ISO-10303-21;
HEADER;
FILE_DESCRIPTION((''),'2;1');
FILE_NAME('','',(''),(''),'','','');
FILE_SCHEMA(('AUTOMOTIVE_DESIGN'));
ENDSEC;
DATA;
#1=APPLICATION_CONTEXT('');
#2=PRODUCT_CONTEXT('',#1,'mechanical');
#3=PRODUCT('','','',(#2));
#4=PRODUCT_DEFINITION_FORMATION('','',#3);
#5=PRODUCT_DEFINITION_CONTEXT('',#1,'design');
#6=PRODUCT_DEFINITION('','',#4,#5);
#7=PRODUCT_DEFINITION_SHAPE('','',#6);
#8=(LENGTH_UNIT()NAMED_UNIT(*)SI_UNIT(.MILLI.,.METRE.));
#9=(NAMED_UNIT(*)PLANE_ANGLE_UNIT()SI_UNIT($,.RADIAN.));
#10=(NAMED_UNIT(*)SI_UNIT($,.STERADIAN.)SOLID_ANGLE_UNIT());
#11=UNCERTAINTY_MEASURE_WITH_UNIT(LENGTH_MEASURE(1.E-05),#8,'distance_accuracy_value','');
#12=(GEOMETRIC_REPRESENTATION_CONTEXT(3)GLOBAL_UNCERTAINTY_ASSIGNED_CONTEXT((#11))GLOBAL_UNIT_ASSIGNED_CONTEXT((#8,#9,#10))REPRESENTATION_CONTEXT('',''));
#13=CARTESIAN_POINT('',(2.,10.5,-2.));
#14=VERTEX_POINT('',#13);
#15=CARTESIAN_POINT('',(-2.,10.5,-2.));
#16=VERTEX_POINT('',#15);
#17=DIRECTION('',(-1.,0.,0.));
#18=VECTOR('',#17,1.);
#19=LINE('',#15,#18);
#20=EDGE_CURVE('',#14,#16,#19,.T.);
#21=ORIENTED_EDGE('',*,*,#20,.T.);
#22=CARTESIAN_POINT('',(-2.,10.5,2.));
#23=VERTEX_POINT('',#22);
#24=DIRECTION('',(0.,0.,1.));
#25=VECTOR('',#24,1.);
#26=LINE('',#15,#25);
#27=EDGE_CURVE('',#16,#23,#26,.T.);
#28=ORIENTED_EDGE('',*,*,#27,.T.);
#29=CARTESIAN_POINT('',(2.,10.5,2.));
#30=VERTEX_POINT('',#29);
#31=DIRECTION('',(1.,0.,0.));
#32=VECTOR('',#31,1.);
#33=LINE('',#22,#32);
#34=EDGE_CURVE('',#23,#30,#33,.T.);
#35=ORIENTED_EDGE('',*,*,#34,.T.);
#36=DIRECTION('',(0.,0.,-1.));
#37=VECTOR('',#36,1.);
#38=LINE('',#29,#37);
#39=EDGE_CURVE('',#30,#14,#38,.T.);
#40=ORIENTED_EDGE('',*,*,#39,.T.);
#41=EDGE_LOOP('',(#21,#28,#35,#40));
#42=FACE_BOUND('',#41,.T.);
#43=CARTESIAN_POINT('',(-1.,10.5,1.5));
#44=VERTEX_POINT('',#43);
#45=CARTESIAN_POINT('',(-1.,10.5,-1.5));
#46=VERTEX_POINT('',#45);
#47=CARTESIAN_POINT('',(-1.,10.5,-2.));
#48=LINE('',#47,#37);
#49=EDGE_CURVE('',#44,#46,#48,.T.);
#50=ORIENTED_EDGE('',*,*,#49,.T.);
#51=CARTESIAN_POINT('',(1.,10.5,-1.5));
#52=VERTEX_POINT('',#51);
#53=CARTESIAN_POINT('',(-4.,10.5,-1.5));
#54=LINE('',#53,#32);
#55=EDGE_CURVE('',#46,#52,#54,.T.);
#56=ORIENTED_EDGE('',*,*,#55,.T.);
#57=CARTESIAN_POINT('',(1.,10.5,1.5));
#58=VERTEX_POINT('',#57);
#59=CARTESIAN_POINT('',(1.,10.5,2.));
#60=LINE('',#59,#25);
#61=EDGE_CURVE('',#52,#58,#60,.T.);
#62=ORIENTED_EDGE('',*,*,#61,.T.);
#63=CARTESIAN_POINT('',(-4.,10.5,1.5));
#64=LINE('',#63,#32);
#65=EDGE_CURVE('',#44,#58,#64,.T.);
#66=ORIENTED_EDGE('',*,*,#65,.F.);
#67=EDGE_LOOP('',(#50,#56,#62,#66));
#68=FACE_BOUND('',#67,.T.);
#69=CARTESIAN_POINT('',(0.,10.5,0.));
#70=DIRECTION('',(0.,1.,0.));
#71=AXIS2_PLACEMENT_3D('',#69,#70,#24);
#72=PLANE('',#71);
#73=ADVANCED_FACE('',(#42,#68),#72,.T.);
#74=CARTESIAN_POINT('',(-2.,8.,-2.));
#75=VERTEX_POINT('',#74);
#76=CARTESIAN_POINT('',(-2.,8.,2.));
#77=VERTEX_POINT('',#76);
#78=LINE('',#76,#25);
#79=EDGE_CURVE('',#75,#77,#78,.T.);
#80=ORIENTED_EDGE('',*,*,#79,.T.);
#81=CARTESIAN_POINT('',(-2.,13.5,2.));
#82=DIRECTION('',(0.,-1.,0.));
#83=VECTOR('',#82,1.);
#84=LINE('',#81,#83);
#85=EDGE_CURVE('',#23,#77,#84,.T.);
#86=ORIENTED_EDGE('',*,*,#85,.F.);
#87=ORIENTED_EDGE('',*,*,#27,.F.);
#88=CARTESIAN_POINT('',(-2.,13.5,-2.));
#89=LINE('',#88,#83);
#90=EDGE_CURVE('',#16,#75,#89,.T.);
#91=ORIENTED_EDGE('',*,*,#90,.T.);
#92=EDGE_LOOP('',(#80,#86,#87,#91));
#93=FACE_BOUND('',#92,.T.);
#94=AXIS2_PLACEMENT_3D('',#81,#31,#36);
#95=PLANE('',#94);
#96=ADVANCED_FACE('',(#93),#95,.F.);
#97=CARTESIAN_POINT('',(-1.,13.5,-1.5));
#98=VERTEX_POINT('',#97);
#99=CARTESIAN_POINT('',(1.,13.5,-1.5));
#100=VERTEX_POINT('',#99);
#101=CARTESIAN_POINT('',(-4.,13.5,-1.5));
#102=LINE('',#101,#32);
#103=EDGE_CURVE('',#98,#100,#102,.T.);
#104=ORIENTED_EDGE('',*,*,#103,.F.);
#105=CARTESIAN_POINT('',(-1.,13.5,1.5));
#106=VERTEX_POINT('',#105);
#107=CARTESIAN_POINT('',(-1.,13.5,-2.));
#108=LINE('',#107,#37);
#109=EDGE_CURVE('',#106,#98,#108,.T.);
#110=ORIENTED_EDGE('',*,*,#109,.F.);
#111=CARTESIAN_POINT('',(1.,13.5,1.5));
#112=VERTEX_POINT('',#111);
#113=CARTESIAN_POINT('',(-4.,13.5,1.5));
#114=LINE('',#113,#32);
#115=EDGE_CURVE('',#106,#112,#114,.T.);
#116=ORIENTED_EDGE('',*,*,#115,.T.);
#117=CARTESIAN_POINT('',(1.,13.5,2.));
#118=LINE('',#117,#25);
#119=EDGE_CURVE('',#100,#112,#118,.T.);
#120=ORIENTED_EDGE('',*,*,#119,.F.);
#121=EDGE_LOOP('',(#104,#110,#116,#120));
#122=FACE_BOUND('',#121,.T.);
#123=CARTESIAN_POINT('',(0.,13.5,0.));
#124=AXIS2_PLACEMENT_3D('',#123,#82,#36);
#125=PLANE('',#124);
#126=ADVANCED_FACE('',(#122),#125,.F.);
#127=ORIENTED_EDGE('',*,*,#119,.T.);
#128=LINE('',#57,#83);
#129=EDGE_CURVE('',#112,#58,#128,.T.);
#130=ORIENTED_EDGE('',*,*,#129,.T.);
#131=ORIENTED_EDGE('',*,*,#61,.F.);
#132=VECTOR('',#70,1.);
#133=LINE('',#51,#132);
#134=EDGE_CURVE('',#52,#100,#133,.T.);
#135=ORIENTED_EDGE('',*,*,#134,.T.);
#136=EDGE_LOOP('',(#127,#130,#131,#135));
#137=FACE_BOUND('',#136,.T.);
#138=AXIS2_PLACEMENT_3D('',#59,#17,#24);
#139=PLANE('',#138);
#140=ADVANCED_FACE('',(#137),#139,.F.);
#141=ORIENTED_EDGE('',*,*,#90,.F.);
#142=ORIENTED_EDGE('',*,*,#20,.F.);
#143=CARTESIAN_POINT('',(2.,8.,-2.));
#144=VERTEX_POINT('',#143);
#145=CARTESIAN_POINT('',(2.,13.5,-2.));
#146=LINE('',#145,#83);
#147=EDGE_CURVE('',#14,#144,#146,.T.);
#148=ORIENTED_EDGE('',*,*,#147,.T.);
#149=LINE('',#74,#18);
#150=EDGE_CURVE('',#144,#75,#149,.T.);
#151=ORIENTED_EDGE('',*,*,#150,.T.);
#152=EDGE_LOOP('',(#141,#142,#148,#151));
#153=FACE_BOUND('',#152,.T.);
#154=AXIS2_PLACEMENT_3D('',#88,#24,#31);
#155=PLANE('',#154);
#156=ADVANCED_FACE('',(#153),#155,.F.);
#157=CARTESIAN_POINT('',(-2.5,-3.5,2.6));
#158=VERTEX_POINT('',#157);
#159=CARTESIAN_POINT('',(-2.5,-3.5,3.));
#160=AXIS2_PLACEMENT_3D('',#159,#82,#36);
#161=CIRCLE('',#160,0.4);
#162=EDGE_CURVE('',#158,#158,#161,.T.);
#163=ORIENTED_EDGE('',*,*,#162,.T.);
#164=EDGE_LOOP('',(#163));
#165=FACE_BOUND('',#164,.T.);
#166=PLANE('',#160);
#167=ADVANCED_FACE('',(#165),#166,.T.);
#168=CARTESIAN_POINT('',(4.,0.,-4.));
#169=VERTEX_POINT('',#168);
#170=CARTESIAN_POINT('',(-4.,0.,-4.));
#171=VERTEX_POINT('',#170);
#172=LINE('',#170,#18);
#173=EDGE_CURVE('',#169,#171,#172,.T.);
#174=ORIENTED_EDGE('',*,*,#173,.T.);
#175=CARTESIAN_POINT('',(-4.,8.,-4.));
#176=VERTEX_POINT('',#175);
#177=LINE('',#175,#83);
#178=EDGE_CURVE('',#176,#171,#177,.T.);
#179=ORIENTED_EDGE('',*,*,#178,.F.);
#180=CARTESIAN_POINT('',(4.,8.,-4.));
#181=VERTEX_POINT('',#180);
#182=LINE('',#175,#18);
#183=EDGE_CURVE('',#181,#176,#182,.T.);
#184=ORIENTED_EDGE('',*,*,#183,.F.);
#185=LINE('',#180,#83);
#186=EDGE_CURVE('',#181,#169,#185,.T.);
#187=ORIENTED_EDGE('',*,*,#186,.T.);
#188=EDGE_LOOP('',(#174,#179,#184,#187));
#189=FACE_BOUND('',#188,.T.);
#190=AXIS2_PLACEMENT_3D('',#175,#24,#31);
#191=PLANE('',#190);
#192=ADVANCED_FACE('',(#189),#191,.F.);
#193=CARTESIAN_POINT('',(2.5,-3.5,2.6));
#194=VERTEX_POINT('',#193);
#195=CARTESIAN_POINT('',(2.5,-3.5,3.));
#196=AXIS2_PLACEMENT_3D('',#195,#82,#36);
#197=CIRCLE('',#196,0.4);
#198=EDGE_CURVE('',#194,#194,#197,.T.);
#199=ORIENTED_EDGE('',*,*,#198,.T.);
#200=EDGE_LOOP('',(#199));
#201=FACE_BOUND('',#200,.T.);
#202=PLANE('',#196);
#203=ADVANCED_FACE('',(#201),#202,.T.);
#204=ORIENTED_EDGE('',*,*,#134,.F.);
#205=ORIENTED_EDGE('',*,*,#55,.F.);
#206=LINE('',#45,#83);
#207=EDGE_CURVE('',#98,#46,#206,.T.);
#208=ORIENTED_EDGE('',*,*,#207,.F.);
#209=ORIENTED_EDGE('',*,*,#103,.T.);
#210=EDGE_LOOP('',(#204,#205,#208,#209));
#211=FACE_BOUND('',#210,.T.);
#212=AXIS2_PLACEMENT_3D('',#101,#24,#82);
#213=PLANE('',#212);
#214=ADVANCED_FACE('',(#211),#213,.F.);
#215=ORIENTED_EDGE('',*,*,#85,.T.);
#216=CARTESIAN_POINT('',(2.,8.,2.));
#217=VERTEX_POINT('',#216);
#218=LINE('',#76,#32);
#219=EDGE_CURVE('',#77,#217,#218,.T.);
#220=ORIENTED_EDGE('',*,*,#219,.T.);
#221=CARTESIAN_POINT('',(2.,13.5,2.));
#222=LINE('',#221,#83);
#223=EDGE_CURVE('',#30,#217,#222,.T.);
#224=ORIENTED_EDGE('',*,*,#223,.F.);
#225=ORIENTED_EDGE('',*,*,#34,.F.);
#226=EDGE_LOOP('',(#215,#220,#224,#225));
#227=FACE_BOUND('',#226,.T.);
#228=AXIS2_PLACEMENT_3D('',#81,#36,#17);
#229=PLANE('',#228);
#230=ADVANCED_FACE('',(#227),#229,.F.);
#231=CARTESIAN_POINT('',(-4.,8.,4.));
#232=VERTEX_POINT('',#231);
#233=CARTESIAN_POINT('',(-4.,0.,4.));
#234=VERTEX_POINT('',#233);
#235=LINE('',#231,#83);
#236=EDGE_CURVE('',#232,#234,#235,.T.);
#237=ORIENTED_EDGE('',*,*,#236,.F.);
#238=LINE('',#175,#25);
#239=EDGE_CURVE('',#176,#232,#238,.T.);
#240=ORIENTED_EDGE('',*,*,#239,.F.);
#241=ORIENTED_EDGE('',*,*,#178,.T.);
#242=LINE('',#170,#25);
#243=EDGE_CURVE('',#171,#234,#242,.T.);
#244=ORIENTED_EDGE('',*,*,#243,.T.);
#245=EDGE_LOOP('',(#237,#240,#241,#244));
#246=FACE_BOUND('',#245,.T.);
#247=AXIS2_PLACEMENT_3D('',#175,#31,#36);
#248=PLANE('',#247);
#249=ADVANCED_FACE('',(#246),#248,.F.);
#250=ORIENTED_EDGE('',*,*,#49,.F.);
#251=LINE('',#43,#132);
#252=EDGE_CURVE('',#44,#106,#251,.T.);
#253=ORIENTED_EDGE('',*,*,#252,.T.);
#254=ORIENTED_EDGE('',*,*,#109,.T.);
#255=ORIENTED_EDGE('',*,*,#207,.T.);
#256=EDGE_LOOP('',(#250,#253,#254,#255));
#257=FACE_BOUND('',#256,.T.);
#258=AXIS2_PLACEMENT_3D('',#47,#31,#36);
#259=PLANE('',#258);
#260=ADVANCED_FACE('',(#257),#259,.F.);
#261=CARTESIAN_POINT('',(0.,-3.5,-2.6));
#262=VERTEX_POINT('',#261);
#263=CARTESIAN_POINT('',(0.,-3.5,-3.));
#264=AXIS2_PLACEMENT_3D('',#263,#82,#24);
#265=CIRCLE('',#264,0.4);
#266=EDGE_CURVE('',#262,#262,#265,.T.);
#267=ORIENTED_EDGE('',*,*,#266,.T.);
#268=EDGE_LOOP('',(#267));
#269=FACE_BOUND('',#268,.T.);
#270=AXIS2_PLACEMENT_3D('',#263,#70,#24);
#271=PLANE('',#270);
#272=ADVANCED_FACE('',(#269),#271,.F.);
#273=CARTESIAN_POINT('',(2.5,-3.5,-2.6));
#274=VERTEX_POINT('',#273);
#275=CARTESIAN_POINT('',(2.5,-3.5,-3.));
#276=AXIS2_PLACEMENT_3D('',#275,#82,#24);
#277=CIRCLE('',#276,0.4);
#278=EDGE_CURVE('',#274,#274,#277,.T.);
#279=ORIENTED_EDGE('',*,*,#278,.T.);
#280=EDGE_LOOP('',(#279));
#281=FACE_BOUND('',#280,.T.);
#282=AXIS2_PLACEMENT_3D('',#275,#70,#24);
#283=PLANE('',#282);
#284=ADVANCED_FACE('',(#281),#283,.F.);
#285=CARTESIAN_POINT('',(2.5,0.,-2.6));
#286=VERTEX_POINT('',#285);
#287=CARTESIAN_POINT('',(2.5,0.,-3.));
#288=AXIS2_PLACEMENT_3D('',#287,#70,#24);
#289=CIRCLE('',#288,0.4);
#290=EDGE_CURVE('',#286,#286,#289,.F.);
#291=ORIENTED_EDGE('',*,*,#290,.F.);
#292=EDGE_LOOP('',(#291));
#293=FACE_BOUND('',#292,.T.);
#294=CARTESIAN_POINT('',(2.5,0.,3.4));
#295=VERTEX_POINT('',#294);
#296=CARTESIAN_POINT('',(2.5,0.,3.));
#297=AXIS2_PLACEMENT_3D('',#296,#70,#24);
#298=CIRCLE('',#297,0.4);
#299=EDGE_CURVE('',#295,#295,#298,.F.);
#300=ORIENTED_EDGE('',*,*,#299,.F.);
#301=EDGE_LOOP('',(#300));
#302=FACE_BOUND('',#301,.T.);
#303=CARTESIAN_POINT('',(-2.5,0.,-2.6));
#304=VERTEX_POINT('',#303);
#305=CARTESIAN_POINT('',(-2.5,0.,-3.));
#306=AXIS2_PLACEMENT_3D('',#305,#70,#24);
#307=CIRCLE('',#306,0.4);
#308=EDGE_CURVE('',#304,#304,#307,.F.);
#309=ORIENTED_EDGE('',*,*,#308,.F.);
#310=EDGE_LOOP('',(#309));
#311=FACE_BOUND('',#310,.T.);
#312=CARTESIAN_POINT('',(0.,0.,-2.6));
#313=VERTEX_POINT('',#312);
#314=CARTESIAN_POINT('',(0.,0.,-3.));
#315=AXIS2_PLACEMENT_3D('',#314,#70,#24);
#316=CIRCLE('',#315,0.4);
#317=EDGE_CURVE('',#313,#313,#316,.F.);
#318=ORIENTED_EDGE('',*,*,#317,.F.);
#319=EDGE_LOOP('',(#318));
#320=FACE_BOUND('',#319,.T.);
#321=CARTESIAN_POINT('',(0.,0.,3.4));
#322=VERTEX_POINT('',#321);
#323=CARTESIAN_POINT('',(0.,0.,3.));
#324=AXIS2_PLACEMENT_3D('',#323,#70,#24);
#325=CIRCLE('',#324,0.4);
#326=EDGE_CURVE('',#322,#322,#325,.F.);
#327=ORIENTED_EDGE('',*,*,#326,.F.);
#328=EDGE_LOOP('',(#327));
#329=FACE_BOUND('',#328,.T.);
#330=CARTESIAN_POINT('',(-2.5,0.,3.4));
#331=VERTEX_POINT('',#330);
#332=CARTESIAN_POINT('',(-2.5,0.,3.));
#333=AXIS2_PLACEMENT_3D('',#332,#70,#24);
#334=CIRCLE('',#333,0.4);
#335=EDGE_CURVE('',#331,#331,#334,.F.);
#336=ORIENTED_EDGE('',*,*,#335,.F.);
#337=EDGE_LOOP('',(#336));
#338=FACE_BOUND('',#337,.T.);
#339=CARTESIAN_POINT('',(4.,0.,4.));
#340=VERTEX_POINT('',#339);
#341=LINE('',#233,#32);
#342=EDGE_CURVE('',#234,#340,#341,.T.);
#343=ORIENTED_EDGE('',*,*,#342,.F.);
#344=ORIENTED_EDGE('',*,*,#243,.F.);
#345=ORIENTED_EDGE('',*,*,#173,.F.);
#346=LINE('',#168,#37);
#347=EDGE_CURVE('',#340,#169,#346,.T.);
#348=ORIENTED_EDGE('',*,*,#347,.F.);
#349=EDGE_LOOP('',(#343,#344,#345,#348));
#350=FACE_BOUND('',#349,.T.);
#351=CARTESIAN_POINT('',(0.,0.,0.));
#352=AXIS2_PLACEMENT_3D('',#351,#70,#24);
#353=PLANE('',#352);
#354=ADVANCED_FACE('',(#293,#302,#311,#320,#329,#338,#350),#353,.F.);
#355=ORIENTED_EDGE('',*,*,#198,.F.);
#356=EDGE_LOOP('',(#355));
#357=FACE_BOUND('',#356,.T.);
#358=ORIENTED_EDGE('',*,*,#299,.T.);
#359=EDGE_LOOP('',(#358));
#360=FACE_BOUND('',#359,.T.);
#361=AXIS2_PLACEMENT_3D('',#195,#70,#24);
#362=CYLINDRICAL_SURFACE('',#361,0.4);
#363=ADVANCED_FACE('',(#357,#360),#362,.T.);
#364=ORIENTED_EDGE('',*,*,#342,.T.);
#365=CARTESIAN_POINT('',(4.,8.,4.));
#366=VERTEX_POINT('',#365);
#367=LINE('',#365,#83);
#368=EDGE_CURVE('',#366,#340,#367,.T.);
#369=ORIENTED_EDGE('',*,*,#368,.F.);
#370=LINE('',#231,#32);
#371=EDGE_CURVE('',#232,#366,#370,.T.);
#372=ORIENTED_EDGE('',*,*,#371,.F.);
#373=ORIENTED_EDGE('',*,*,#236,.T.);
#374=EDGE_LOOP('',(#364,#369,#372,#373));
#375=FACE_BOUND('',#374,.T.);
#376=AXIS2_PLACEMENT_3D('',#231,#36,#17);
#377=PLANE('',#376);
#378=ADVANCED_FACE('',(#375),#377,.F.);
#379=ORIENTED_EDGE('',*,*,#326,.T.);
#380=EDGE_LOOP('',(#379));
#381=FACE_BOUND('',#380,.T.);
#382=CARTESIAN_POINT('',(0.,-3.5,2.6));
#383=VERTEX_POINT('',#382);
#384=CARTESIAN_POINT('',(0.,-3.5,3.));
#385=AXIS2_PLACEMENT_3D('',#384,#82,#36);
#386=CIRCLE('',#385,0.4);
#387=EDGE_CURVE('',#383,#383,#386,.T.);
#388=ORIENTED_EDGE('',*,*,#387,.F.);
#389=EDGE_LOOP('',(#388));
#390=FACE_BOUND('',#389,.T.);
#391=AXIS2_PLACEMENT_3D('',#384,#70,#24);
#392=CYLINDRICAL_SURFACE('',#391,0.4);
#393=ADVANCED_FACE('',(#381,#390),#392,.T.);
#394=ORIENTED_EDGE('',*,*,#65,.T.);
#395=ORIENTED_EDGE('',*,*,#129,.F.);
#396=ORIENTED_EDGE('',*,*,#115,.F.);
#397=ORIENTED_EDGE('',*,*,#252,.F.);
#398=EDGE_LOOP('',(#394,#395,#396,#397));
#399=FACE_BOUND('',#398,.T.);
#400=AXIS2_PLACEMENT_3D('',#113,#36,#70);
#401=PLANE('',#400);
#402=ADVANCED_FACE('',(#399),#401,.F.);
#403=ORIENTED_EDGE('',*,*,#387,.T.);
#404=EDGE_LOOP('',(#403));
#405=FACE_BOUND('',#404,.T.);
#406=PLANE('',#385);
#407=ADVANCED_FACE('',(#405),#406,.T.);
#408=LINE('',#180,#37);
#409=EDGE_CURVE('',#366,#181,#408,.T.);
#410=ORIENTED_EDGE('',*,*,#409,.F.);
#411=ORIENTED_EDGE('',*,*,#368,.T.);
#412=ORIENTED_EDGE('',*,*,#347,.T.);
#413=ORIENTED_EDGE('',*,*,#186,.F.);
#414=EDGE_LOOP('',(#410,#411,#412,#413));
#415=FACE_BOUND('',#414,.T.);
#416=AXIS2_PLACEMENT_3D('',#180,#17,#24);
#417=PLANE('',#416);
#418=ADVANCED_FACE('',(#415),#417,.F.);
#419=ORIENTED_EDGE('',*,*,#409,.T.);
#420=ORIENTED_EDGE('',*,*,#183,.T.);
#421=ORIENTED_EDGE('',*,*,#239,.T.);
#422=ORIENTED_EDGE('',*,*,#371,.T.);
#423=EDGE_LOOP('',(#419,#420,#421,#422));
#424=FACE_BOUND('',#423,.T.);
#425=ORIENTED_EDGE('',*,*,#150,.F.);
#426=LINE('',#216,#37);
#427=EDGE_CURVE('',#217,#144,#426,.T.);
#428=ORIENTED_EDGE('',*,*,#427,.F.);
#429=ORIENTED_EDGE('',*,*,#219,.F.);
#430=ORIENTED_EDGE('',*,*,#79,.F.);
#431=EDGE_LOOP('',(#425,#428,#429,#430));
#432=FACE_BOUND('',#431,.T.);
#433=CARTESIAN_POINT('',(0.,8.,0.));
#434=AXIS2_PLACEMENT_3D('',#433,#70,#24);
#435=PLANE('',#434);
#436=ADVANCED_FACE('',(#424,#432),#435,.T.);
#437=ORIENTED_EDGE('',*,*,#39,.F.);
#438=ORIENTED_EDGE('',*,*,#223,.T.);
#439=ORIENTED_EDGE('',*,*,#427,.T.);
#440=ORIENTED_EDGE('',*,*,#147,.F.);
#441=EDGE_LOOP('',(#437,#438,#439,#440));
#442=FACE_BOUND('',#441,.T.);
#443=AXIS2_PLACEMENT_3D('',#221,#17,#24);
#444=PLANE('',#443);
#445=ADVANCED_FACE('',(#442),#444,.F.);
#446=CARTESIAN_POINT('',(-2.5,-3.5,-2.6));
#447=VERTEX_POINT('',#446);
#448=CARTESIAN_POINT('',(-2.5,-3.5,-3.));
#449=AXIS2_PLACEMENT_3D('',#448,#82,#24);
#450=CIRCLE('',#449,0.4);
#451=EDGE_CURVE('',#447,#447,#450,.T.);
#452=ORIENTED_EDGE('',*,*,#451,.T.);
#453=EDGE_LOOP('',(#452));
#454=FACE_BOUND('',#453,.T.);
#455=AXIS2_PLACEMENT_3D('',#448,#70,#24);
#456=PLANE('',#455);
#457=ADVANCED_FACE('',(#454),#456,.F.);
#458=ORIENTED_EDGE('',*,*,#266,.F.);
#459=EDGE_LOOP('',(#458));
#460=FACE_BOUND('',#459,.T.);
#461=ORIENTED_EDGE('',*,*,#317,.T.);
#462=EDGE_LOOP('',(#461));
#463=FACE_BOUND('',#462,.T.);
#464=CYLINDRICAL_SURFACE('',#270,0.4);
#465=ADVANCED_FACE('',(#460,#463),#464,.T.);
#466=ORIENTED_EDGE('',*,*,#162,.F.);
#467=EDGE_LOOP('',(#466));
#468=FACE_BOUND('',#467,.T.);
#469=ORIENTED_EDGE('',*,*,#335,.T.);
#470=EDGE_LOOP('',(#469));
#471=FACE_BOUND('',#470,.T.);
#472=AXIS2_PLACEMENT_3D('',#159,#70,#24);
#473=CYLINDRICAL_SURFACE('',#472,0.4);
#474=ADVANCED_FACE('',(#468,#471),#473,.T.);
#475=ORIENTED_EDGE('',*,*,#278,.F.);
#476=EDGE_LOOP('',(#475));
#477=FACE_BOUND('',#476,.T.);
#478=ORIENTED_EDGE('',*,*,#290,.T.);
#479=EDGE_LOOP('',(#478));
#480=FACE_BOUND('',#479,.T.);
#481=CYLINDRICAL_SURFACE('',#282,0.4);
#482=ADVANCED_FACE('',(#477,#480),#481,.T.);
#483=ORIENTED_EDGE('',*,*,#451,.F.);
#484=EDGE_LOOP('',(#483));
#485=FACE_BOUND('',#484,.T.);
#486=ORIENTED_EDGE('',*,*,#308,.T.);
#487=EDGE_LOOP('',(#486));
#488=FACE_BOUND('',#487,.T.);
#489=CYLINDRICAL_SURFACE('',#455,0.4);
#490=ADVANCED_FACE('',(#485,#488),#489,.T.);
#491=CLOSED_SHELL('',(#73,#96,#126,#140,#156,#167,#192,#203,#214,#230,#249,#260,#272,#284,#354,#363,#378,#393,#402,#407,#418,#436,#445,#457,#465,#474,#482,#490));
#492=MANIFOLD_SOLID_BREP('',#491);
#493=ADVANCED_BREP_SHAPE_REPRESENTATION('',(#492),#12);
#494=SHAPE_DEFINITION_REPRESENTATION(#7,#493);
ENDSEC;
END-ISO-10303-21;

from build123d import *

# Parameters (mm, degrees)
SKETCH1_W               = 8
SKETCH1_H               = 8
BOSS_EXTRUDE1_DEPTH     = 8
SKETCH2_W               = 4
SKETCH2_H               = 4
BOSS_EXTRUDE2_DEPTH     = 5.5
SKETCH3_R               = 0.4
BOSS_EXTRUDE3_DEPTH     = 3.5
SKETCH4_W               = 1
SKETCH4_H               = 4
CUT_EXTRUDE1_DEPTH      = 3
CUT_EXTRUDE2_DEPTH      = 15.637281168
CUT_EXTRUDE2_DEPTH_BACK = 15.637281168
SKETCH5_W               = 0.5
SKETCH5_H               = 3


with BuildPart() as part:
    # Sketch1 → Boss-Extrude1 (new body)
    with BuildSketch(Plane(origin=(0, 0, 0), x_dir=(1, 0, 0), z_dir=(0, 1, 0))):
        Rectangle(SKETCH1_W, SKETCH1_H)
    extrude(amount=BOSS_EXTRUDE1_DEPTH)

    # Sketch2 → Boss-Extrude2 (add)
    with BuildSketch(Plane(origin=(0, 8, 0), x_dir=(1, 0, 0), z_dir=(0, 1, 0))):
        Rectangle(SKETCH2_W, SKETCH2_H)
    extrude(amount=BOSS_EXTRUDE2_DEPTH)

    # Sketch3 → Boss-Extrude3 (add)
    with BuildSketch(Plane.XZ):
        with Locations(Location((0, 3, 0), (0, 0, 90))):
            Circle(SKETCH3_R)
        with Locations(Location((-2.5, 3, 0), (0, 0, 90))):
            Circle(SKETCH3_R)
        with Locations(Location((2.5, 3, 0), (0, 0, 90))):
            Circle(SKETCH3_R)
        with Locations(Location((2.5, -3, 0), (0, 0, 90))):
            Circle(SKETCH3_R)
        with Locations(Location((-2.5, -3, 0), (0, 0, 90))):
            Circle(SKETCH3_R)
        with Locations(Location((0, -3, 0), (0, 0, 90))):
            Circle(SKETCH3_R)
    extrude(amount=BOSS_EXTRUDE3_DEPTH)

    # Sketch4 → Cut-Extrude1 (cut)
    with BuildSketch(Plane(origin=(0, 13.5, 0), x_dir=(1, 0, 0), z_dir=(0, 1, 0))):
        with Locations((-1.5, 0)):
            Rectangle(SKETCH4_W, SKETCH4_H)
        with Locations((1.5, 0)):
            Rectangle(SKETCH4_W, SKETCH4_H)
    extrude(amount=-CUT_EXTRUDE1_DEPTH, mode=Mode.SUBTRACT)

    # Sketch5 → Cut-Extrude2 (cut, two sides: drawn at the far end of the back side and taken through both)
    with BuildSketch(Plane(origin=(0, 0, 0), x_dir=(0, 0, -1), z_dir=(1, 0, 0)).offset(-CUT_EXTRUDE2_DEPTH_BACK)):
        with Locations((-1.75, 12)):
            Rectangle(SKETCH5_W, SKETCH5_H)
        with Locations((1.75, 12)):
            Rectangle(SKETCH5_W, SKETCH5_H)
    extrude(amount=CUT_EXTRUDE2_DEPTH + CUT_EXTRUDE2_DEPTH_BACK, mode=Mode.SUBTRACT)


solid = part.part
